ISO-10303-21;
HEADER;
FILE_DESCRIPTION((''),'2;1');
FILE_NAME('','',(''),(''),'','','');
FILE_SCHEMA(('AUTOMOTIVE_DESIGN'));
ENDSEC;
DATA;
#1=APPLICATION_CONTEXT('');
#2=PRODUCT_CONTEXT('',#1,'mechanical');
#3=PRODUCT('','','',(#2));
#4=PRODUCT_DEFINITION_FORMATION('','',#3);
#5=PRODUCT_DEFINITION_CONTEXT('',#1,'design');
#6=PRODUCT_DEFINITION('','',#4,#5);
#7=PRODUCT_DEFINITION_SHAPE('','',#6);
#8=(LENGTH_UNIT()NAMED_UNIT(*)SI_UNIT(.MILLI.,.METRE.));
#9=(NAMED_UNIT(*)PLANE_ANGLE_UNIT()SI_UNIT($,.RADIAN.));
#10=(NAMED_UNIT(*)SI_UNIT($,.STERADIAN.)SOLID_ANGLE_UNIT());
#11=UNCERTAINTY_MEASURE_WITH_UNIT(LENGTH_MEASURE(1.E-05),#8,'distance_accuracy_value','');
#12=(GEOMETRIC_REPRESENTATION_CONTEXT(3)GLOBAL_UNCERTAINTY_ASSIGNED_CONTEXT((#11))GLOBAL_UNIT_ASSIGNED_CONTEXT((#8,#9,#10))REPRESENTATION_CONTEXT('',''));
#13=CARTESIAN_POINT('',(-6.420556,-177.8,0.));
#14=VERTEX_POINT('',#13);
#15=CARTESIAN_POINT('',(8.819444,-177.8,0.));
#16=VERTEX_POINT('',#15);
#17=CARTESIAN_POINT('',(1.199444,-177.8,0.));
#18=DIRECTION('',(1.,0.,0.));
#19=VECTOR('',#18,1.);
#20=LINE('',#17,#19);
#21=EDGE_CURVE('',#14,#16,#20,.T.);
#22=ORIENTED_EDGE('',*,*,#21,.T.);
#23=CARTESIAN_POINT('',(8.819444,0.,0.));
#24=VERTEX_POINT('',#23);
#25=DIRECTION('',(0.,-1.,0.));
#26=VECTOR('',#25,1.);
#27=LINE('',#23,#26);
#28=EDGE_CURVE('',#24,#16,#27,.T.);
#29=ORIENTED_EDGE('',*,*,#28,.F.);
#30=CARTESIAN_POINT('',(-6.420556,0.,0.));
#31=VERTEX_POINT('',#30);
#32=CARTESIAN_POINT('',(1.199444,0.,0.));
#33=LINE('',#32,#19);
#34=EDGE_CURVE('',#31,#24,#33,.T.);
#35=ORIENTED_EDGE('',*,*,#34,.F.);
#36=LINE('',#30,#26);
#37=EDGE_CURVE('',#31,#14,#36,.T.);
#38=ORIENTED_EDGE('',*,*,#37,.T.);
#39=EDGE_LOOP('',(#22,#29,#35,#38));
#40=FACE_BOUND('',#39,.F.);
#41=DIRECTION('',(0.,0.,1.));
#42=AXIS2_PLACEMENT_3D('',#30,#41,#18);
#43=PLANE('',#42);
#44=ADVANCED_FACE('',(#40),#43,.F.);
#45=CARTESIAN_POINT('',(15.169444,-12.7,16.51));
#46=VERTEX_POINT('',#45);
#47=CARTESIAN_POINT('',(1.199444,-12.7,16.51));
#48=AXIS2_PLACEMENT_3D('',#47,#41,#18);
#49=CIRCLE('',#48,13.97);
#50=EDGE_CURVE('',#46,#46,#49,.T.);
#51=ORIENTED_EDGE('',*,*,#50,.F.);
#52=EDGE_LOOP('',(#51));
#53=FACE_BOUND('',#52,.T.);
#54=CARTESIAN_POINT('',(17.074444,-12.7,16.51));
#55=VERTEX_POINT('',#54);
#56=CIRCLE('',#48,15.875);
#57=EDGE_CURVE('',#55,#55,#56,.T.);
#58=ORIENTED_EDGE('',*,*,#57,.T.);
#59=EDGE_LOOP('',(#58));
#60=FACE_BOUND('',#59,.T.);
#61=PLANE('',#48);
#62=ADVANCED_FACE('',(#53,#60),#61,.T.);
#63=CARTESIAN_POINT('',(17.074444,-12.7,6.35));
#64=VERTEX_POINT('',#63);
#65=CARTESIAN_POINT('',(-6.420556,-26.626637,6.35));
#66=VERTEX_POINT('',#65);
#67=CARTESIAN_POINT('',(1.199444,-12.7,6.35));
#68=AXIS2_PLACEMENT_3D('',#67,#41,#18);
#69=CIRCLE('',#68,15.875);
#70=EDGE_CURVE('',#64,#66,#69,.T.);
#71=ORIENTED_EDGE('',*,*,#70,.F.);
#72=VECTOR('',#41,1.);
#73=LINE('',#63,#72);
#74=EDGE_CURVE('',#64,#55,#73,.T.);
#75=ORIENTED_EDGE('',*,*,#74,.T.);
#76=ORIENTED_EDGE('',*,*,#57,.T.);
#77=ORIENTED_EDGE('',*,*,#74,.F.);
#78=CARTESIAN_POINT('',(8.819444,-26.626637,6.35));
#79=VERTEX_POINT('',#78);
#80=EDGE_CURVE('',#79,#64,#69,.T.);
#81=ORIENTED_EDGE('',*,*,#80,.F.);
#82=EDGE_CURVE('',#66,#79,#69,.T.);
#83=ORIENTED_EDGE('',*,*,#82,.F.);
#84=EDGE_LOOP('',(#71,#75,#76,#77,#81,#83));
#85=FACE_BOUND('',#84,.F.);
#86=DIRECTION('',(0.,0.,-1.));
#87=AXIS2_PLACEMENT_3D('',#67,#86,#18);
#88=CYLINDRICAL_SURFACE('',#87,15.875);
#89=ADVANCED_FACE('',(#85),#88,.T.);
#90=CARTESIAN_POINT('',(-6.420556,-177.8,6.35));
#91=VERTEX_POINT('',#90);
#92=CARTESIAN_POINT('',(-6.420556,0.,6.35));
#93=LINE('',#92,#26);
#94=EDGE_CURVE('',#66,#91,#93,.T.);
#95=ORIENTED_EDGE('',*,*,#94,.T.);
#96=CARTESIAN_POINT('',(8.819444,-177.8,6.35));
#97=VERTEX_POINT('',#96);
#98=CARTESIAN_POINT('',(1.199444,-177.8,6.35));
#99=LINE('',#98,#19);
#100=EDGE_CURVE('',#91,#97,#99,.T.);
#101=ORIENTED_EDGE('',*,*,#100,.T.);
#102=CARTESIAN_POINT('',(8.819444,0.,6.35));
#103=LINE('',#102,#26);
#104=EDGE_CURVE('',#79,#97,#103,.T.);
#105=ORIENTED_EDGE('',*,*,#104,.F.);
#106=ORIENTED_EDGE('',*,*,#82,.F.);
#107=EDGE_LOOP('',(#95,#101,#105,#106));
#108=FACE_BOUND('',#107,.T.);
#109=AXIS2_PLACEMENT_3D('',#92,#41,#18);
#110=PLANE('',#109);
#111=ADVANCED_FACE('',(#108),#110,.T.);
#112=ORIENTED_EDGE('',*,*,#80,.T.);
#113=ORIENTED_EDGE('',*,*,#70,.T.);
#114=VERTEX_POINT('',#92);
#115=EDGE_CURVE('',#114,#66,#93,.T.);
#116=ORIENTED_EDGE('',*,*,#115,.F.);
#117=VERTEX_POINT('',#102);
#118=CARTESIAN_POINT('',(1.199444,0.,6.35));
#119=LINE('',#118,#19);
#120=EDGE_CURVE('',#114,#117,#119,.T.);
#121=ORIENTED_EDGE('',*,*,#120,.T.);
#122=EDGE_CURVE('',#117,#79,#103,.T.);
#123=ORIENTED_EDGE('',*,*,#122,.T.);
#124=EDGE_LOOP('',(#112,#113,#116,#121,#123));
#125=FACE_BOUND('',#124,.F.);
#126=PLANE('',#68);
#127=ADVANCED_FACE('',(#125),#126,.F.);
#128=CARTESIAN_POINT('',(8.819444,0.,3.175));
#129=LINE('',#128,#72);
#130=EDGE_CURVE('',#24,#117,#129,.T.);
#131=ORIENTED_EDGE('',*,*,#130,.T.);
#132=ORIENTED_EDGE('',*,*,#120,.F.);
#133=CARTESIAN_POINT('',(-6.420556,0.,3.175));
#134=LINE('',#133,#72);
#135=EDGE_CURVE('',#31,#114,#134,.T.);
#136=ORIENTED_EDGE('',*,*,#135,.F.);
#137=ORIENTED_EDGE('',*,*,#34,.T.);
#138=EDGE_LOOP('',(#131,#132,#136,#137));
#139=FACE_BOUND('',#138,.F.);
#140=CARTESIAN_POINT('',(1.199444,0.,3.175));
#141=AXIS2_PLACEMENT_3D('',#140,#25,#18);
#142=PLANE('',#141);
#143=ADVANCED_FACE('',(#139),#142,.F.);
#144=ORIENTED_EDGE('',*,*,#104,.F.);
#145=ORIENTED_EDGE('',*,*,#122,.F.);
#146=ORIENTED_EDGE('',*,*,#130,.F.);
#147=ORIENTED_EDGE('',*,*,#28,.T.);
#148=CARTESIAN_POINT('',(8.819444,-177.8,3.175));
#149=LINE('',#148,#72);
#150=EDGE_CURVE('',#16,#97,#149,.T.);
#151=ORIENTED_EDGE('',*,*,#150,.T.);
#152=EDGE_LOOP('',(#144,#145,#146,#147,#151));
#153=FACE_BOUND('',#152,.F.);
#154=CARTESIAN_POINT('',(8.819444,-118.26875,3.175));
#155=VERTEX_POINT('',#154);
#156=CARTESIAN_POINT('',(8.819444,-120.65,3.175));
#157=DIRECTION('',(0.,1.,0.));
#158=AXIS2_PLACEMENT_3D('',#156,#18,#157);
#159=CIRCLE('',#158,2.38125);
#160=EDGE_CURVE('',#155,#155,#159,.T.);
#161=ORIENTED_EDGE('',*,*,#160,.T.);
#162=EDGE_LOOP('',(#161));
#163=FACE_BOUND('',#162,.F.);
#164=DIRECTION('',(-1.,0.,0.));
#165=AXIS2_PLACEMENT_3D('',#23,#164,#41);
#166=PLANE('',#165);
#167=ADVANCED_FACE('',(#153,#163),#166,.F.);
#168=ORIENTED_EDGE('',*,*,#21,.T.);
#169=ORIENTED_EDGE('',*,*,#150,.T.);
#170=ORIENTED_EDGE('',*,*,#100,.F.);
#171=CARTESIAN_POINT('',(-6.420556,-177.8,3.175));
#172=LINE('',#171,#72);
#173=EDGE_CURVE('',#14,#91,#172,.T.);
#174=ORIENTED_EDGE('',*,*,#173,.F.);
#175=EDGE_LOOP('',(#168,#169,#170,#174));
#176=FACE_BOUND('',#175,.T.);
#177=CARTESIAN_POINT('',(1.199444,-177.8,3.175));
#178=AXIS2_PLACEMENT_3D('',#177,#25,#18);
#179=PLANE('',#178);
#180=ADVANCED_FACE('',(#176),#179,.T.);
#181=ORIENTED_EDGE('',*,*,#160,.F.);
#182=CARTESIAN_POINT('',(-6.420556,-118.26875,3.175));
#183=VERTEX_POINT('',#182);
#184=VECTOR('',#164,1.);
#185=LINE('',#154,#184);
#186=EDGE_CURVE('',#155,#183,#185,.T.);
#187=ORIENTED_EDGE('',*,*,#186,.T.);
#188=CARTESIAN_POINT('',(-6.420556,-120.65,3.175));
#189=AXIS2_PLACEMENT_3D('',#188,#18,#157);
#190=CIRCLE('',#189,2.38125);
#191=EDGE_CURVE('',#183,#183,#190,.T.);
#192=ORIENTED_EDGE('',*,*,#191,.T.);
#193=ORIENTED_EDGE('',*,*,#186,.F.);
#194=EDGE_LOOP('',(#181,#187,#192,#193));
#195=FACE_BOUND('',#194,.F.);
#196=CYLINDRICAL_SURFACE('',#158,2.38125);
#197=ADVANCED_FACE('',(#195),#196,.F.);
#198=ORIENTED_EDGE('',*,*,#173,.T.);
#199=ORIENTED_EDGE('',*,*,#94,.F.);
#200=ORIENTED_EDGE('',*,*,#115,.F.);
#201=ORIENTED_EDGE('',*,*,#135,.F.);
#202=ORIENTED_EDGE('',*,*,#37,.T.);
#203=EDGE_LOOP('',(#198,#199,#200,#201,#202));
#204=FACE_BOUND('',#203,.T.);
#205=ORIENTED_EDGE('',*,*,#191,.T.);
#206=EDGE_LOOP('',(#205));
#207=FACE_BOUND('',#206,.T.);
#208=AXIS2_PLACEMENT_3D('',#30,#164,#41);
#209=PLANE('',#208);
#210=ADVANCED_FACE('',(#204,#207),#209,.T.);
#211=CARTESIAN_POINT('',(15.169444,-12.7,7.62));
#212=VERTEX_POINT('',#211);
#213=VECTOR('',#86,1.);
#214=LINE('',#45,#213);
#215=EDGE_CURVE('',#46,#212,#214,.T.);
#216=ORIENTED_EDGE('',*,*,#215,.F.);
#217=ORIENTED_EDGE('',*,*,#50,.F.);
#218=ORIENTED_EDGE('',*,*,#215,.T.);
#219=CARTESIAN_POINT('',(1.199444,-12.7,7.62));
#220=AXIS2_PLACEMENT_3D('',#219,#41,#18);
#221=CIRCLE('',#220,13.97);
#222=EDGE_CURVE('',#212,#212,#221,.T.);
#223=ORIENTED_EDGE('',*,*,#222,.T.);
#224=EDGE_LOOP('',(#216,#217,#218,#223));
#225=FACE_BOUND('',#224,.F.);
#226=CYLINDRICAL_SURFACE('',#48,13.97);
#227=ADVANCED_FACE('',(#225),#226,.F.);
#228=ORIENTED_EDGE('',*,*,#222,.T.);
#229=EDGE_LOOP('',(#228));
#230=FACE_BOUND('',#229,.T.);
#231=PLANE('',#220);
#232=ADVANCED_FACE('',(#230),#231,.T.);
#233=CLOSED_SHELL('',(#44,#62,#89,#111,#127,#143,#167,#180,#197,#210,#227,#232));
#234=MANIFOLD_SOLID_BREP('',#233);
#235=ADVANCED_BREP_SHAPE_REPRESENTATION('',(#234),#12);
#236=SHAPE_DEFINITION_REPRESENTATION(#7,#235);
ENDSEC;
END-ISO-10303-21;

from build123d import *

# Parameters (mm, degrees)
F0_W     = 15.24
F0_H     = 6.35
F1_DEPTH = 177.8
F2_R     = 2.38125
F3_DEPTH = 15.241
F4_R     = 15.875
F5_DEPTH = 10.16
F6_R     = 13.97
F7_DEPTH = 8.89


with BuildPart() as f1:
    # F0 (on Front) → F1 (new body)
    with BuildSketch(Plane.XZ):
        with Locations((1.199444, 3.175)):
            Rectangle(F0_W, F0_H)
    extrude(amount=F1_DEPTH)

    # F2 (on face) → F3 (cut, through all)
    with BuildSketch(Plane.YZ.offset(8.819444)):
        with Locations((-120.65, 3.175)):
            Circle(F2_R)
    extrude(amount=-F3_DEPTH, mode=Mode.SUBTRACT)

    # F4 (on face) → F5 (join)
    with BuildSketch(Plane.XY.offset(6.35)):
        with Locations((1.199444, -12.7)):
            Circle(F4_R)
    extrude(amount=F5_DEPTH)

    # F6 (on face) → F7 (cut)
    with BuildSketch(Plane.XY.offset(16.51)):
        with Locations((1.199444, -12.7)):
            Circle(F6_R)
    extrude(amount=-F7_DEPTH, mode=Mode.SUBTRACT)


solid = f1.part
